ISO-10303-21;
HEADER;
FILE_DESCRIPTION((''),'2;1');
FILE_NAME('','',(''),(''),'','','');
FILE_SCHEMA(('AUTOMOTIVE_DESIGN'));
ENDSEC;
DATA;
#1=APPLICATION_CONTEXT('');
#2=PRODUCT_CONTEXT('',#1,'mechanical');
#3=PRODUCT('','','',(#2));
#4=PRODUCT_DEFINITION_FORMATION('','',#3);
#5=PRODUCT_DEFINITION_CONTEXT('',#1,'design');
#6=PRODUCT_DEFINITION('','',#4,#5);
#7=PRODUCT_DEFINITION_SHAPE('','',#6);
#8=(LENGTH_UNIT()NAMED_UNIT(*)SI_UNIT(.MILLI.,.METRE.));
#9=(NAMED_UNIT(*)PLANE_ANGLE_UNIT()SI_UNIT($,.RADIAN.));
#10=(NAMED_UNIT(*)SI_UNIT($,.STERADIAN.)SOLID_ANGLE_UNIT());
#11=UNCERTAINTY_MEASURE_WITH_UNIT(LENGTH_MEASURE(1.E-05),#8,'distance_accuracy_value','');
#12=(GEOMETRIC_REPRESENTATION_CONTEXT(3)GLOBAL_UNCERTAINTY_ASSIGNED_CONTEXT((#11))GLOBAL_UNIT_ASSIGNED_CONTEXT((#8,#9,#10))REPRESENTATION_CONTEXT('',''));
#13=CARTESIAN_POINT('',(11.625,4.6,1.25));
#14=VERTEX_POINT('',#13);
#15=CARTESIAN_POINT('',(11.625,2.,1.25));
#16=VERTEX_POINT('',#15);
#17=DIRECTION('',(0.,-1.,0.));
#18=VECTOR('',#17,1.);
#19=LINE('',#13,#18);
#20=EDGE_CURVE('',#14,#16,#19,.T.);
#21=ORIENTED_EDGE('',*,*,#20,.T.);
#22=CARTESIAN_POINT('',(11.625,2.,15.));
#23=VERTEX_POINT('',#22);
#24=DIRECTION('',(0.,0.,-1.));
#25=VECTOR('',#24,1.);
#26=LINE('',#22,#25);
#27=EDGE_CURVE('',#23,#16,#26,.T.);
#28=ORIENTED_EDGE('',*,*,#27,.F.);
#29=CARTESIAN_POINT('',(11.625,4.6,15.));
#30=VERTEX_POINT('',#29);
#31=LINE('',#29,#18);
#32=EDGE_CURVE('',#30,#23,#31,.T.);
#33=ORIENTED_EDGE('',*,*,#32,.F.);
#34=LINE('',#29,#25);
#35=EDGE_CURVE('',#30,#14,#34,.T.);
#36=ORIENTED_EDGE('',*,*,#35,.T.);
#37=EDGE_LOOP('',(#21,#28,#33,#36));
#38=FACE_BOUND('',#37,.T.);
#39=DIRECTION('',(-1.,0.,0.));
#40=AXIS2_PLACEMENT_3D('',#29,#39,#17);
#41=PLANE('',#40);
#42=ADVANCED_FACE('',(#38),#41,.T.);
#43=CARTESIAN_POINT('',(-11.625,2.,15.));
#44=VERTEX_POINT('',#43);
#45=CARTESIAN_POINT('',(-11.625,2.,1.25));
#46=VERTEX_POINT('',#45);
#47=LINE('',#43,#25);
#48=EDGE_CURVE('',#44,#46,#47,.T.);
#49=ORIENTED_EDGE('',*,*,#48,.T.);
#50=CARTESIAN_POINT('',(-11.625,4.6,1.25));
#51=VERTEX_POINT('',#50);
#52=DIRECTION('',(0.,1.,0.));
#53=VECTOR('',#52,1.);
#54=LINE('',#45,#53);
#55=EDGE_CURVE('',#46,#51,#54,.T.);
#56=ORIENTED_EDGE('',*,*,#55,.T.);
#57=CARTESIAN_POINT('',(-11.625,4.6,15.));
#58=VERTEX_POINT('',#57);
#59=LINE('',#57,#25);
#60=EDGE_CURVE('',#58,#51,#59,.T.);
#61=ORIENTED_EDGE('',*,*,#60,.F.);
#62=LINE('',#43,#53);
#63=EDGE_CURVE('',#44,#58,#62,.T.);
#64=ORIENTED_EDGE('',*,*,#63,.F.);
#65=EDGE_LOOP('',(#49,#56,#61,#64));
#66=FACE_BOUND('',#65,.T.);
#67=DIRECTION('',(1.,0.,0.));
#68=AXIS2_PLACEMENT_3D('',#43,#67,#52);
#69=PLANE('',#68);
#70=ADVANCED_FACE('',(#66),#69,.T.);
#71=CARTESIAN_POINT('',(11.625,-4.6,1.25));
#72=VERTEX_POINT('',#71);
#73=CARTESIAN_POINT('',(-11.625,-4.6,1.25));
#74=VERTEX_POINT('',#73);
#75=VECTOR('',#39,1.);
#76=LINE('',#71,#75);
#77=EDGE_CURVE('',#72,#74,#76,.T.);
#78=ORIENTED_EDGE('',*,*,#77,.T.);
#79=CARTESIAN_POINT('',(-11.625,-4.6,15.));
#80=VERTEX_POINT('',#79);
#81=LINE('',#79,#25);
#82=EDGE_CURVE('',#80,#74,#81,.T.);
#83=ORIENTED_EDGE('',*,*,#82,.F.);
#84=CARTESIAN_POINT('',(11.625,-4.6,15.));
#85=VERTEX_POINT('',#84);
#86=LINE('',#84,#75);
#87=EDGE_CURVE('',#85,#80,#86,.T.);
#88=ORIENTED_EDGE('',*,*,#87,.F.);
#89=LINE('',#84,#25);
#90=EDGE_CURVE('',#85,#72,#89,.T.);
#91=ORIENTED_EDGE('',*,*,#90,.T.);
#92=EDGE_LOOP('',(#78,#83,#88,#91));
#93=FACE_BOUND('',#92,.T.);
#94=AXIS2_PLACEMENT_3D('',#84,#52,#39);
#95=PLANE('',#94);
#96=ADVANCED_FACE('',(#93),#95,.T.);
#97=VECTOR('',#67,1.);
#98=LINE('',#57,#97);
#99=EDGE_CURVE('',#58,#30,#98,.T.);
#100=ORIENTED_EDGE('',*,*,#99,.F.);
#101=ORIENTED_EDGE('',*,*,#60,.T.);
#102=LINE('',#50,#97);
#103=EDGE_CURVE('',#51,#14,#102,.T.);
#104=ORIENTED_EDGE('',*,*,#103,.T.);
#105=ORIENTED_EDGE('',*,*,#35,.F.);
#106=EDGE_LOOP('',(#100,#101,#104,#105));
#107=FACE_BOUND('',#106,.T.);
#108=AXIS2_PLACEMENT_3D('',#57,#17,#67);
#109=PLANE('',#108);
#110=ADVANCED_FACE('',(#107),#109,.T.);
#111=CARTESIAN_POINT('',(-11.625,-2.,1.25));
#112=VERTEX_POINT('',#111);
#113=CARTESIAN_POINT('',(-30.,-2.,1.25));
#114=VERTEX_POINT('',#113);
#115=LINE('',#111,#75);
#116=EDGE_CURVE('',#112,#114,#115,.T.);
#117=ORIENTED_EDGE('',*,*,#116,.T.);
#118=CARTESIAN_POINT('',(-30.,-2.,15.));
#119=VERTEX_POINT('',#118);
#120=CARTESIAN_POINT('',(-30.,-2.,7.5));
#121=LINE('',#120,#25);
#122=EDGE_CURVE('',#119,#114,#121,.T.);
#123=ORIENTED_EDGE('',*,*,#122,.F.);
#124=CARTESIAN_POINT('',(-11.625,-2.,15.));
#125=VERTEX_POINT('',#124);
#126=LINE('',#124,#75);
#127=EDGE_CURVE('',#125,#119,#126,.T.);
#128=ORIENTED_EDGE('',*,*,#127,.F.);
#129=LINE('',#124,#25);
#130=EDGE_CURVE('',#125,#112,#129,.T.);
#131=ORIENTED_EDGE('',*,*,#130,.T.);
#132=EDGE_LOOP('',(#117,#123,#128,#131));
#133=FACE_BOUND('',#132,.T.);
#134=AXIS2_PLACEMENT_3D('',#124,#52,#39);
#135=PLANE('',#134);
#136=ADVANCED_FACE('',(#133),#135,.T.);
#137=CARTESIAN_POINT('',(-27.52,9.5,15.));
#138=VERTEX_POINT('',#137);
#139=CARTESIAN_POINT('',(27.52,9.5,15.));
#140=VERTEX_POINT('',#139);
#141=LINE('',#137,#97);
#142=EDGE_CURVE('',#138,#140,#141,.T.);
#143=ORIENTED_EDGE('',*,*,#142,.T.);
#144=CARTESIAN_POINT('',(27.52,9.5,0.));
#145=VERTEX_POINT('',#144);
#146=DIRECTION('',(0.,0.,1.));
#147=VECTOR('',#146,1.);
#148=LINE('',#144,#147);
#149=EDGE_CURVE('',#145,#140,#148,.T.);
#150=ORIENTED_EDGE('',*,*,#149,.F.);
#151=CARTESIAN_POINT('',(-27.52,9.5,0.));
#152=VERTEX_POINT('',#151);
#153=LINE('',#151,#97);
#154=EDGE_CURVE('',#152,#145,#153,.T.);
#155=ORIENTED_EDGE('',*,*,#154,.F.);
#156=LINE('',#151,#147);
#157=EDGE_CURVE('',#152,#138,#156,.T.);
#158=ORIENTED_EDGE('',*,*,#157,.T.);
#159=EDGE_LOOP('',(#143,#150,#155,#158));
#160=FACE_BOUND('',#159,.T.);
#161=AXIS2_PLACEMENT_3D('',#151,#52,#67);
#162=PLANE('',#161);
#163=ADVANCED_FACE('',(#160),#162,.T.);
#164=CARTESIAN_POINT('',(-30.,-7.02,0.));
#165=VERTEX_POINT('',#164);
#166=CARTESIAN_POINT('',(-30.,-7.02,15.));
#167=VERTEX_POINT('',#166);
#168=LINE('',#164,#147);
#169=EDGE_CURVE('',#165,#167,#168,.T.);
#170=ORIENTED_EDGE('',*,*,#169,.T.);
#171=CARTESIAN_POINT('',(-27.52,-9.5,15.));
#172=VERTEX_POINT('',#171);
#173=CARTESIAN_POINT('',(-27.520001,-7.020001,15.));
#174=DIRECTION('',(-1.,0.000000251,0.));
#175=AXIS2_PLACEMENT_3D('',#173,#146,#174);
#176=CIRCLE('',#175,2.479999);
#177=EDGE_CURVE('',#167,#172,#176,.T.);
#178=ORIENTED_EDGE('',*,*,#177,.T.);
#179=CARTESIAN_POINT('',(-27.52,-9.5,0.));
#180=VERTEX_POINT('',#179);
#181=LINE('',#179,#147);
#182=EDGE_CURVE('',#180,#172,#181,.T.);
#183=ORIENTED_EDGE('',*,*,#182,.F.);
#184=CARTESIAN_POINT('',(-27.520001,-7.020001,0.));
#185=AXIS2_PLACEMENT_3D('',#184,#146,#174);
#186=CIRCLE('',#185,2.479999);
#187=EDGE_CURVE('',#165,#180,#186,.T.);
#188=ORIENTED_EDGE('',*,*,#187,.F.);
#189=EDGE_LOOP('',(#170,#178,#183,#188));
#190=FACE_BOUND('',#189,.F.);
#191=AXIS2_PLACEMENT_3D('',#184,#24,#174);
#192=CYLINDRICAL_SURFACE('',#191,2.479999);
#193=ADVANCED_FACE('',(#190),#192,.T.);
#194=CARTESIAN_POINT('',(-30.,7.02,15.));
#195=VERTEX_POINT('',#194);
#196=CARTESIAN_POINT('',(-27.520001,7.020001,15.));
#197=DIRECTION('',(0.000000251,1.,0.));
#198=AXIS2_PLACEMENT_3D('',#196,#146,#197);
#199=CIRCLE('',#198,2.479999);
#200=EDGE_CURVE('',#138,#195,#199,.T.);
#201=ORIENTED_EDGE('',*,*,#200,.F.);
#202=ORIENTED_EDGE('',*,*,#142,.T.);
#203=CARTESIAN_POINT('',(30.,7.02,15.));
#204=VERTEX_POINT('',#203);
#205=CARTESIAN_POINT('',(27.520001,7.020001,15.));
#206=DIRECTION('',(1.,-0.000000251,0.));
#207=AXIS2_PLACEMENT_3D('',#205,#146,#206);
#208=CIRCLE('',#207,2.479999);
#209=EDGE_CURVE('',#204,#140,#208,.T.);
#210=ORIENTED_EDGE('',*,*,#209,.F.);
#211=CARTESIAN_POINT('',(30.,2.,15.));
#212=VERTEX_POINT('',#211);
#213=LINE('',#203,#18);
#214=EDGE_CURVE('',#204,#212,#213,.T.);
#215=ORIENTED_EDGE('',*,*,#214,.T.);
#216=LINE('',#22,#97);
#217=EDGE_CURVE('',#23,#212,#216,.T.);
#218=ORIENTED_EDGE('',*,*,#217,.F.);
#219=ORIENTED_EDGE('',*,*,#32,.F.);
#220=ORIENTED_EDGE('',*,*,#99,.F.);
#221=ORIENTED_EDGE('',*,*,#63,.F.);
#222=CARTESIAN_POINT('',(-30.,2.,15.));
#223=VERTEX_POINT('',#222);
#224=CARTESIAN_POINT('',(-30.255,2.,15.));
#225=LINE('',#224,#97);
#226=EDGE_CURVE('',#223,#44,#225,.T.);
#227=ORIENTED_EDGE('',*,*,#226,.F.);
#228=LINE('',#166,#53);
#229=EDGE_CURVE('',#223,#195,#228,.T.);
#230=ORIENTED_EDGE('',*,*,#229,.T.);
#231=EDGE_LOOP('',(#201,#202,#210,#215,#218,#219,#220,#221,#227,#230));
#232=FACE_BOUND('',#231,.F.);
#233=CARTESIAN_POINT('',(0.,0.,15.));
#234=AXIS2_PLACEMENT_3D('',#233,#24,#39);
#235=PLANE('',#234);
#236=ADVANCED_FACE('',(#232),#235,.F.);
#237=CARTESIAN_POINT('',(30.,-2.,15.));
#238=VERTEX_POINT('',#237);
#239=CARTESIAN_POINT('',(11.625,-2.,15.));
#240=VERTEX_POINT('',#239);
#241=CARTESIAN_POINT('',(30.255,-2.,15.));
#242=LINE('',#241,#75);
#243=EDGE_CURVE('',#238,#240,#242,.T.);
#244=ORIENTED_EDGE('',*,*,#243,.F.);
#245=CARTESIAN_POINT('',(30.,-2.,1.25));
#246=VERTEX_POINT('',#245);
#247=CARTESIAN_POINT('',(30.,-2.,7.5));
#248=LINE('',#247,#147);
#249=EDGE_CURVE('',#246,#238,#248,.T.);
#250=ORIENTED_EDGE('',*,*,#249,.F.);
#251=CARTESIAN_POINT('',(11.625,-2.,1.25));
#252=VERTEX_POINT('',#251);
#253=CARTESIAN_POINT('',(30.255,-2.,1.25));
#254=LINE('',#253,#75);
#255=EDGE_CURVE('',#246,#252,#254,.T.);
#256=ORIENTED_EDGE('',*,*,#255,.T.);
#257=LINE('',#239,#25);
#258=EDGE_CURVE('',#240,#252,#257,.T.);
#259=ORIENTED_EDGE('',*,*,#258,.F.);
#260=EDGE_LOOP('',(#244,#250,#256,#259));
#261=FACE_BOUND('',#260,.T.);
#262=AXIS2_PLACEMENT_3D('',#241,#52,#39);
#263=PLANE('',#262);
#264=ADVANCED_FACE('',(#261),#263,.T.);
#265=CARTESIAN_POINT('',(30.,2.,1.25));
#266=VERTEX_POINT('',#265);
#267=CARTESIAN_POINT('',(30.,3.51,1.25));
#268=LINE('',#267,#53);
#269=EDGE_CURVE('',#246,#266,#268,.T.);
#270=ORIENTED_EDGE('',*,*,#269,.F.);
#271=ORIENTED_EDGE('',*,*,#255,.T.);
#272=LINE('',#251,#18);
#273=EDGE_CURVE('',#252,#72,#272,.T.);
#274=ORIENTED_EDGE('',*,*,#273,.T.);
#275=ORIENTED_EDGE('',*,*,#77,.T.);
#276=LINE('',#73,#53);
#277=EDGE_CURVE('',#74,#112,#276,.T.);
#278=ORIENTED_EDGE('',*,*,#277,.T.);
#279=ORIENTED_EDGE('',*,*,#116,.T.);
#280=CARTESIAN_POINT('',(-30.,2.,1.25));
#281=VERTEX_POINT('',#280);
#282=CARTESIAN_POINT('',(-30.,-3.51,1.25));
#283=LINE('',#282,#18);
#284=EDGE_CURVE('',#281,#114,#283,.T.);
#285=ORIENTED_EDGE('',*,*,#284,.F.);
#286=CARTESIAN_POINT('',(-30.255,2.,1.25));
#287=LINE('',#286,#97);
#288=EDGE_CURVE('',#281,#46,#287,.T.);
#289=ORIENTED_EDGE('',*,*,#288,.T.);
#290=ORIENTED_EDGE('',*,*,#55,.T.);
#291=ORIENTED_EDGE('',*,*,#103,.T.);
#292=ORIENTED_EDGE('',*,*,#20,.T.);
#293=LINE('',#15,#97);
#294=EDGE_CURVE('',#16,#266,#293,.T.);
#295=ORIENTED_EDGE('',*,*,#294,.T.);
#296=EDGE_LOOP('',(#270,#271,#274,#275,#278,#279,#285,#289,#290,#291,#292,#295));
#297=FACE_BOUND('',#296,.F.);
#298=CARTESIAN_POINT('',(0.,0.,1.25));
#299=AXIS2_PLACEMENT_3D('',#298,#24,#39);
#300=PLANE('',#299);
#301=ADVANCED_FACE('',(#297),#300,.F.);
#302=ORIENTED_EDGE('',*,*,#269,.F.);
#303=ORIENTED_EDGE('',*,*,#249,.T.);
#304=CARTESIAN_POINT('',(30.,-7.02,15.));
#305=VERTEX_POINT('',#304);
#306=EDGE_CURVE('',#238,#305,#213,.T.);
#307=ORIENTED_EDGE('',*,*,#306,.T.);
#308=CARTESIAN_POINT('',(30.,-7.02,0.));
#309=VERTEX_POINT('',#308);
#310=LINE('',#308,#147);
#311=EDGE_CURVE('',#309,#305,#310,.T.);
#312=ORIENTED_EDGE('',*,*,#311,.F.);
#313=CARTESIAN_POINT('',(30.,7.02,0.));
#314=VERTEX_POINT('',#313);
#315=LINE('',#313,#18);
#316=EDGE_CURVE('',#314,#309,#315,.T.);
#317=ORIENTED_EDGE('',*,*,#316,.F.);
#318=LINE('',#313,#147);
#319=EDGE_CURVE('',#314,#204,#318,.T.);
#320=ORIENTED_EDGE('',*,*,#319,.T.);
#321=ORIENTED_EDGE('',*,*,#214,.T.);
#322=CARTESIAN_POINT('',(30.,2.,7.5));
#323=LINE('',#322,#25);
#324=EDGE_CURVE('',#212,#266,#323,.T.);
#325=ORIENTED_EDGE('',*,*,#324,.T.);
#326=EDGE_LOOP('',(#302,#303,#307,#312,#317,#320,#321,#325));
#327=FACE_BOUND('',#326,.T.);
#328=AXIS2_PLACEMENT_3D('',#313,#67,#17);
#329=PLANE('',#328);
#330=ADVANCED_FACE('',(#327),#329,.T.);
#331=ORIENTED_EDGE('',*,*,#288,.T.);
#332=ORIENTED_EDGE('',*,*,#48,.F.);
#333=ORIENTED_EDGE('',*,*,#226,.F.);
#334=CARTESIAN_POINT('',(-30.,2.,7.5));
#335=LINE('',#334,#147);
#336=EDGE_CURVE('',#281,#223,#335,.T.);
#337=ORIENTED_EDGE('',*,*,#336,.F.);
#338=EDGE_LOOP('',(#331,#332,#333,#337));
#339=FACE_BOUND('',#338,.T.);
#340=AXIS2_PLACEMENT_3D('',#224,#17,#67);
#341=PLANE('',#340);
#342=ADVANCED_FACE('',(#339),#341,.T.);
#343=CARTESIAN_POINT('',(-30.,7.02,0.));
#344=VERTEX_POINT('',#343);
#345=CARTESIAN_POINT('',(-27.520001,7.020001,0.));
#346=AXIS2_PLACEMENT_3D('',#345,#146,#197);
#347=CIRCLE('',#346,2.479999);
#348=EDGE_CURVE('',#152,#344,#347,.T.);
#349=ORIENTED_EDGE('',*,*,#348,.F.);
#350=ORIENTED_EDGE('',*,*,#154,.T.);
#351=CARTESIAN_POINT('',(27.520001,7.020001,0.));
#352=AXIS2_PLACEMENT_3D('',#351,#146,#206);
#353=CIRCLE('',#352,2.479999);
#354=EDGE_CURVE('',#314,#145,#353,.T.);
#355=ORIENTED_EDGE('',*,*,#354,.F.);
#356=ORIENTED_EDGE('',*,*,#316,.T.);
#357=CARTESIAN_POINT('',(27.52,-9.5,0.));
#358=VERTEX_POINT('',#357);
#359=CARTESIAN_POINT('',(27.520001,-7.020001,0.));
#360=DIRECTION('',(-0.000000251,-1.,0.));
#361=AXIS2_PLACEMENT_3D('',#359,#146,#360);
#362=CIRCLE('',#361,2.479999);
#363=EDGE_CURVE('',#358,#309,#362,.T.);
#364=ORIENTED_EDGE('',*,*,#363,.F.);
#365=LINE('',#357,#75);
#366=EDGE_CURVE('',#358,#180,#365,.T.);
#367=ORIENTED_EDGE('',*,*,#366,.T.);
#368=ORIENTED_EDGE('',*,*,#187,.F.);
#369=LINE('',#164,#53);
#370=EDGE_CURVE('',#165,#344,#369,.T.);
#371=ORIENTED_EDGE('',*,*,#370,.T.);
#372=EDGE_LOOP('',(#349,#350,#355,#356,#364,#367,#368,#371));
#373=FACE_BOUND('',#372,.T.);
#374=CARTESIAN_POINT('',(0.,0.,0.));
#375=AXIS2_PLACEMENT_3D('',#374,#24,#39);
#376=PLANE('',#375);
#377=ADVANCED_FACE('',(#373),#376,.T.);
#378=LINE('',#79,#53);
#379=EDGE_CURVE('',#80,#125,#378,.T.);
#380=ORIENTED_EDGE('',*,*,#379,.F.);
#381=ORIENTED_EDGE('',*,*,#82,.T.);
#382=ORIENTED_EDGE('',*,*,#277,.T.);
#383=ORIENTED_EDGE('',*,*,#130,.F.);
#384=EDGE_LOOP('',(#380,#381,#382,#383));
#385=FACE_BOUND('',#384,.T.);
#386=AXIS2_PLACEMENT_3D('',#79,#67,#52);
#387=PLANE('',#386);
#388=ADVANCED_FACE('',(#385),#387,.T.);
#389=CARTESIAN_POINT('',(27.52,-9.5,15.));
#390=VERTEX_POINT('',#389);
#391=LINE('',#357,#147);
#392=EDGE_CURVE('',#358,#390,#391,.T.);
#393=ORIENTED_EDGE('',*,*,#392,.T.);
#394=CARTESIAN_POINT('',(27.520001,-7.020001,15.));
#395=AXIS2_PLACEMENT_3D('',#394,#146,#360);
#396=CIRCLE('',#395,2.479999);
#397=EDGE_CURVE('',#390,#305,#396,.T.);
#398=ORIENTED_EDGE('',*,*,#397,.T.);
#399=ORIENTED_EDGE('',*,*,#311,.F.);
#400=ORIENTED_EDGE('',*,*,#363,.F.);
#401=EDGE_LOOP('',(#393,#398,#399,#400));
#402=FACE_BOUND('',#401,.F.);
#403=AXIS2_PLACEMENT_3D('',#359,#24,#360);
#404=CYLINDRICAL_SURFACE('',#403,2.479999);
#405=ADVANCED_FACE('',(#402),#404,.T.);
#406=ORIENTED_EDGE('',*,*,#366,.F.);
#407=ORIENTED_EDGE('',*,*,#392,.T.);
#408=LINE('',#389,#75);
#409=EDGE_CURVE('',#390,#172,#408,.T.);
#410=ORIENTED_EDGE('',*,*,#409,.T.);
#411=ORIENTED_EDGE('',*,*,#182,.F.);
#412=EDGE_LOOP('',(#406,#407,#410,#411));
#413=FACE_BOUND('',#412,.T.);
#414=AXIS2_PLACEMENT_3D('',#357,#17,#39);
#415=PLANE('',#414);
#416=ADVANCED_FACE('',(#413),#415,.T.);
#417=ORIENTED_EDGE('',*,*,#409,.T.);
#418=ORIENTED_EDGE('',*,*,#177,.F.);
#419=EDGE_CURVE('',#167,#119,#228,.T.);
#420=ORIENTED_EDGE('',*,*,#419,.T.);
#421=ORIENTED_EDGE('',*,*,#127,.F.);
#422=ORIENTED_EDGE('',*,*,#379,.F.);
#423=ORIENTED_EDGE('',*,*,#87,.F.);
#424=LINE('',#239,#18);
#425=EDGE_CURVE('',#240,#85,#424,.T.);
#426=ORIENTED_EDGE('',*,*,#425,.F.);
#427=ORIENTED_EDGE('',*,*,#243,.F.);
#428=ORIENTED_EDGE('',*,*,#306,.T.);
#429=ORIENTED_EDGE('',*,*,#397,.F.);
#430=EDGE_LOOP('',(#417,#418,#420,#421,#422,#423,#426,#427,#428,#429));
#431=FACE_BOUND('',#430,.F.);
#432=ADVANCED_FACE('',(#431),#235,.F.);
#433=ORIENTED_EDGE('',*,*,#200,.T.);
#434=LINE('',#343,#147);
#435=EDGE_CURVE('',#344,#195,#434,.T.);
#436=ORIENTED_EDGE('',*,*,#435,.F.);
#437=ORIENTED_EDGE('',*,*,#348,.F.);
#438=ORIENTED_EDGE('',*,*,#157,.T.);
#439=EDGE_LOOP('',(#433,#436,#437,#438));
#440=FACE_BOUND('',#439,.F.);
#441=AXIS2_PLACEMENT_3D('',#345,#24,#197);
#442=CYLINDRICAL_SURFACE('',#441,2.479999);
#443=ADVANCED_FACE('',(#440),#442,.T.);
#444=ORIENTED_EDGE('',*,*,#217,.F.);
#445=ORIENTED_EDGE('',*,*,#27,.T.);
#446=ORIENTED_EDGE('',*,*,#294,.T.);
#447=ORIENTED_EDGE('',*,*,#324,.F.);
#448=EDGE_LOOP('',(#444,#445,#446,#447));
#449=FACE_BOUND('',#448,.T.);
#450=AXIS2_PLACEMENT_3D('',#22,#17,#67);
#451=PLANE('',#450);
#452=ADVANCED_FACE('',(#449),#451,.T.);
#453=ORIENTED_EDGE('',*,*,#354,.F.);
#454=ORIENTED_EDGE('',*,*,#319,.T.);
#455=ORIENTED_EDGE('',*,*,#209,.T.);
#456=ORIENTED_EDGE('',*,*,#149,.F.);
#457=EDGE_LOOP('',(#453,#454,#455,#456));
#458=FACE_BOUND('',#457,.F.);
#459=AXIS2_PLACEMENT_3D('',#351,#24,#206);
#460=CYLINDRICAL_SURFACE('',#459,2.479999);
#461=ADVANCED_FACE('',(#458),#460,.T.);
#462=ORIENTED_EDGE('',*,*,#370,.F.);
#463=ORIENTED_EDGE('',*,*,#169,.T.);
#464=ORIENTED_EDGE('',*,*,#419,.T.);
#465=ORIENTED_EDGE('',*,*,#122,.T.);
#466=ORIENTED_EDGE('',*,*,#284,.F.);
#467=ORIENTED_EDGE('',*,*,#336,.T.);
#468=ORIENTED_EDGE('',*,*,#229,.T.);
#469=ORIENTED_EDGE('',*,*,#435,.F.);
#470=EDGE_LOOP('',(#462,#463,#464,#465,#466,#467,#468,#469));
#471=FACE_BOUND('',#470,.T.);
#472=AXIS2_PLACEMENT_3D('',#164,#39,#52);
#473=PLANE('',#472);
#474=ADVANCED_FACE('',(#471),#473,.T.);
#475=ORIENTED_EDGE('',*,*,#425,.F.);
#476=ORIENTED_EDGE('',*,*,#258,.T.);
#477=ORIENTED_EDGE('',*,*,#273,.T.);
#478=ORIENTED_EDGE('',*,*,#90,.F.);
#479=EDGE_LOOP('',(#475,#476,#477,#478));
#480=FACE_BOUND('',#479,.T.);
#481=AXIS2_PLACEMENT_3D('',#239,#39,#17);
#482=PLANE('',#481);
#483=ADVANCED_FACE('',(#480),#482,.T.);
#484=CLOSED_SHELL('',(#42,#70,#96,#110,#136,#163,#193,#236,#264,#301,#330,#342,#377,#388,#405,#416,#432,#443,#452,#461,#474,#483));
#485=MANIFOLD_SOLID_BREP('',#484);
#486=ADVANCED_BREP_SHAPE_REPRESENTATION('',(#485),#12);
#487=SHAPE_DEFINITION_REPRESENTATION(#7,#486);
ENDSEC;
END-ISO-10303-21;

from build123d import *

# Parameters (mm, degrees)
PAD_DEPTH    = 15
POCKET_DEPTH = 13.75


with BuildPart() as part:
    # Sketch → Pad (new body)
    with BuildSketch(Plane.XY):
        with BuildLine():
            Line((-27.52, 9.5), (27.52, 9.5))
            ThreePointArc((30, 7.02), (29.273625, 8.773625), (27.52, 9.5))
            Line((30, 7.02), (30, -7.02))
            ThreePointArc((27.52, -9.5), (29.273625, -8.773625), (30, -7.02))
            Line((27.52, -9.5), (-27.52, -9.5))
            ThreePointArc((-30, -7.02), (-29.273625, -8.773625), (-27.52, -9.5))
            Line((-30, -7.02), (-30, 7.02))
            ThreePointArc((-27.52, 9.5), (-29.273625, 8.773625), (-30, 7.02))
        make_face()
    extrude(amount=PAD_DEPTH)

    # Sketch001 (on Face10 of Pad) → Pocket (cut)
    with BuildSketch(Plane.XY.offset(15)):
        Polygon((-30.255, 2), (-11.625, 2), (-11.625, 4.6), (11.625, 4.6), (11.625, 2), (30.255, 2), (30.255, -2), (11.625, -2), (11.625, -4.6), (-11.625, -4.6), (-11.625, -2), (-30.255, -2), align=None)
    extrude(amount=-POCKET_DEPTH, mode=Mode.SUBTRACT)


solid = part.part
